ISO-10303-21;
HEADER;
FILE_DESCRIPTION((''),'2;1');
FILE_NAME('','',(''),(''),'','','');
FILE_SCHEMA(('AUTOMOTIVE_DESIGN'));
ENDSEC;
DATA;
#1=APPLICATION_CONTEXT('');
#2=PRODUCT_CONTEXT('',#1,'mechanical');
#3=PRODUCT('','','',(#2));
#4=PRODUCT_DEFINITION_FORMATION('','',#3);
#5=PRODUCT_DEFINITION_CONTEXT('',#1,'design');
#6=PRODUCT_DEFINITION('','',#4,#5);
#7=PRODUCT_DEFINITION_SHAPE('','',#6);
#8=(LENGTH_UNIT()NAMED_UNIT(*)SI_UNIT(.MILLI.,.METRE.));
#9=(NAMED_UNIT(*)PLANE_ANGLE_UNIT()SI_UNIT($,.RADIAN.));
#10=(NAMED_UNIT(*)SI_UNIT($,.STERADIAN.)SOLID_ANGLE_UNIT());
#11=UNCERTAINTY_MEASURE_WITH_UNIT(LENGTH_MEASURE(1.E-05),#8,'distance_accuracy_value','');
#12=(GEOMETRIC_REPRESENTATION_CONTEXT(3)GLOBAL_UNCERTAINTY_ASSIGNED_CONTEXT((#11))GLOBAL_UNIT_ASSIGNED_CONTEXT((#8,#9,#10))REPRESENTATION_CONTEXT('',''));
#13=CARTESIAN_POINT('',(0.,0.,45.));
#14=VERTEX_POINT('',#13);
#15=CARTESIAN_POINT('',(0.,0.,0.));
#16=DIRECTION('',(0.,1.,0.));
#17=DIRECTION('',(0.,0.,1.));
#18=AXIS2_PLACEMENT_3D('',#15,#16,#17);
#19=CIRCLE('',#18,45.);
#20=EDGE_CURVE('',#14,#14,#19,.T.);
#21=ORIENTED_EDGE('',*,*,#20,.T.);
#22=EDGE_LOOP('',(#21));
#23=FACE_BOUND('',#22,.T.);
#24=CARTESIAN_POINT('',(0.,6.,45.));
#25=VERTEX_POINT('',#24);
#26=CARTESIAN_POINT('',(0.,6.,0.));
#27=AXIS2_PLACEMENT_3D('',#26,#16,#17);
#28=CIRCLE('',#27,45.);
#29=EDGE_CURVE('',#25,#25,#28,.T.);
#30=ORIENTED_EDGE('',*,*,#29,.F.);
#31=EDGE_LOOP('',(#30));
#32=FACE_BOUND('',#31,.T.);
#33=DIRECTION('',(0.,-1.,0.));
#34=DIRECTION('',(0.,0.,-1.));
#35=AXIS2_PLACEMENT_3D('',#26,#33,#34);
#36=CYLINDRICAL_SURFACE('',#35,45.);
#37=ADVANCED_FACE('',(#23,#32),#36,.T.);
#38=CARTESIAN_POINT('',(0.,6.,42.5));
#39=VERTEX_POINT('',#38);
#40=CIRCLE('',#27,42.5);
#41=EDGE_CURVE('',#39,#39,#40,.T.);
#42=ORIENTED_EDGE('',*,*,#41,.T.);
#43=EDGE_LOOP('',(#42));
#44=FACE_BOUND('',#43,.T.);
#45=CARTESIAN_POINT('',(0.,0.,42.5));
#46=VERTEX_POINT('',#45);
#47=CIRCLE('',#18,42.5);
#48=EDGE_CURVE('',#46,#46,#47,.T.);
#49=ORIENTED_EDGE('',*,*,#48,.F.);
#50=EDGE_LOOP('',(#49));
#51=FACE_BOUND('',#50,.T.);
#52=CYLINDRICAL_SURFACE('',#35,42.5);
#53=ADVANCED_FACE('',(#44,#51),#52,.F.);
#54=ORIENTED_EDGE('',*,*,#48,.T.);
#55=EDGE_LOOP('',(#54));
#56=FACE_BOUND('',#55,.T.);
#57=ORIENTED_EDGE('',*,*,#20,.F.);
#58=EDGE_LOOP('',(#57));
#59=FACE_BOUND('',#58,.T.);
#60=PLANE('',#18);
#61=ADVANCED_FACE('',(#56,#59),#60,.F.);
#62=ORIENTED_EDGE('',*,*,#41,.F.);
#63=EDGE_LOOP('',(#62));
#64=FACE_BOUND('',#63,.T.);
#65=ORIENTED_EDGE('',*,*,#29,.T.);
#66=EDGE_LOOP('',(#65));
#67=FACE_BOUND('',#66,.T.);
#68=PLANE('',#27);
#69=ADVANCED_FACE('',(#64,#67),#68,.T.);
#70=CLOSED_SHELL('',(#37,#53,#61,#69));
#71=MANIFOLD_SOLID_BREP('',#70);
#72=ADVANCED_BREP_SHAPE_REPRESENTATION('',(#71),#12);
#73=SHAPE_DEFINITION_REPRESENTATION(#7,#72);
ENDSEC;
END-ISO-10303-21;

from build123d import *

# Parameters (mm, degrees)
SKETCH_1_R      = 45
SKETCH_1_R_2    = 42.5
EXTRUDE_1_DEPTH = 6


with BuildPart() as part:
    # 草图1 → 凸台-拉伸1 (new body)
    with BuildSketch(Plane(origin=(0, 0, 0), x_dir=(1, 0, 0), z_dir=(0, 1, 0))):
        Circle(SKETCH_1_R)
        Circle(SKETCH_1_R_2, mode=Mode.SUBTRACT)
    extrude(amount=EXTRUDE_1_DEPTH)


solid = part.part
